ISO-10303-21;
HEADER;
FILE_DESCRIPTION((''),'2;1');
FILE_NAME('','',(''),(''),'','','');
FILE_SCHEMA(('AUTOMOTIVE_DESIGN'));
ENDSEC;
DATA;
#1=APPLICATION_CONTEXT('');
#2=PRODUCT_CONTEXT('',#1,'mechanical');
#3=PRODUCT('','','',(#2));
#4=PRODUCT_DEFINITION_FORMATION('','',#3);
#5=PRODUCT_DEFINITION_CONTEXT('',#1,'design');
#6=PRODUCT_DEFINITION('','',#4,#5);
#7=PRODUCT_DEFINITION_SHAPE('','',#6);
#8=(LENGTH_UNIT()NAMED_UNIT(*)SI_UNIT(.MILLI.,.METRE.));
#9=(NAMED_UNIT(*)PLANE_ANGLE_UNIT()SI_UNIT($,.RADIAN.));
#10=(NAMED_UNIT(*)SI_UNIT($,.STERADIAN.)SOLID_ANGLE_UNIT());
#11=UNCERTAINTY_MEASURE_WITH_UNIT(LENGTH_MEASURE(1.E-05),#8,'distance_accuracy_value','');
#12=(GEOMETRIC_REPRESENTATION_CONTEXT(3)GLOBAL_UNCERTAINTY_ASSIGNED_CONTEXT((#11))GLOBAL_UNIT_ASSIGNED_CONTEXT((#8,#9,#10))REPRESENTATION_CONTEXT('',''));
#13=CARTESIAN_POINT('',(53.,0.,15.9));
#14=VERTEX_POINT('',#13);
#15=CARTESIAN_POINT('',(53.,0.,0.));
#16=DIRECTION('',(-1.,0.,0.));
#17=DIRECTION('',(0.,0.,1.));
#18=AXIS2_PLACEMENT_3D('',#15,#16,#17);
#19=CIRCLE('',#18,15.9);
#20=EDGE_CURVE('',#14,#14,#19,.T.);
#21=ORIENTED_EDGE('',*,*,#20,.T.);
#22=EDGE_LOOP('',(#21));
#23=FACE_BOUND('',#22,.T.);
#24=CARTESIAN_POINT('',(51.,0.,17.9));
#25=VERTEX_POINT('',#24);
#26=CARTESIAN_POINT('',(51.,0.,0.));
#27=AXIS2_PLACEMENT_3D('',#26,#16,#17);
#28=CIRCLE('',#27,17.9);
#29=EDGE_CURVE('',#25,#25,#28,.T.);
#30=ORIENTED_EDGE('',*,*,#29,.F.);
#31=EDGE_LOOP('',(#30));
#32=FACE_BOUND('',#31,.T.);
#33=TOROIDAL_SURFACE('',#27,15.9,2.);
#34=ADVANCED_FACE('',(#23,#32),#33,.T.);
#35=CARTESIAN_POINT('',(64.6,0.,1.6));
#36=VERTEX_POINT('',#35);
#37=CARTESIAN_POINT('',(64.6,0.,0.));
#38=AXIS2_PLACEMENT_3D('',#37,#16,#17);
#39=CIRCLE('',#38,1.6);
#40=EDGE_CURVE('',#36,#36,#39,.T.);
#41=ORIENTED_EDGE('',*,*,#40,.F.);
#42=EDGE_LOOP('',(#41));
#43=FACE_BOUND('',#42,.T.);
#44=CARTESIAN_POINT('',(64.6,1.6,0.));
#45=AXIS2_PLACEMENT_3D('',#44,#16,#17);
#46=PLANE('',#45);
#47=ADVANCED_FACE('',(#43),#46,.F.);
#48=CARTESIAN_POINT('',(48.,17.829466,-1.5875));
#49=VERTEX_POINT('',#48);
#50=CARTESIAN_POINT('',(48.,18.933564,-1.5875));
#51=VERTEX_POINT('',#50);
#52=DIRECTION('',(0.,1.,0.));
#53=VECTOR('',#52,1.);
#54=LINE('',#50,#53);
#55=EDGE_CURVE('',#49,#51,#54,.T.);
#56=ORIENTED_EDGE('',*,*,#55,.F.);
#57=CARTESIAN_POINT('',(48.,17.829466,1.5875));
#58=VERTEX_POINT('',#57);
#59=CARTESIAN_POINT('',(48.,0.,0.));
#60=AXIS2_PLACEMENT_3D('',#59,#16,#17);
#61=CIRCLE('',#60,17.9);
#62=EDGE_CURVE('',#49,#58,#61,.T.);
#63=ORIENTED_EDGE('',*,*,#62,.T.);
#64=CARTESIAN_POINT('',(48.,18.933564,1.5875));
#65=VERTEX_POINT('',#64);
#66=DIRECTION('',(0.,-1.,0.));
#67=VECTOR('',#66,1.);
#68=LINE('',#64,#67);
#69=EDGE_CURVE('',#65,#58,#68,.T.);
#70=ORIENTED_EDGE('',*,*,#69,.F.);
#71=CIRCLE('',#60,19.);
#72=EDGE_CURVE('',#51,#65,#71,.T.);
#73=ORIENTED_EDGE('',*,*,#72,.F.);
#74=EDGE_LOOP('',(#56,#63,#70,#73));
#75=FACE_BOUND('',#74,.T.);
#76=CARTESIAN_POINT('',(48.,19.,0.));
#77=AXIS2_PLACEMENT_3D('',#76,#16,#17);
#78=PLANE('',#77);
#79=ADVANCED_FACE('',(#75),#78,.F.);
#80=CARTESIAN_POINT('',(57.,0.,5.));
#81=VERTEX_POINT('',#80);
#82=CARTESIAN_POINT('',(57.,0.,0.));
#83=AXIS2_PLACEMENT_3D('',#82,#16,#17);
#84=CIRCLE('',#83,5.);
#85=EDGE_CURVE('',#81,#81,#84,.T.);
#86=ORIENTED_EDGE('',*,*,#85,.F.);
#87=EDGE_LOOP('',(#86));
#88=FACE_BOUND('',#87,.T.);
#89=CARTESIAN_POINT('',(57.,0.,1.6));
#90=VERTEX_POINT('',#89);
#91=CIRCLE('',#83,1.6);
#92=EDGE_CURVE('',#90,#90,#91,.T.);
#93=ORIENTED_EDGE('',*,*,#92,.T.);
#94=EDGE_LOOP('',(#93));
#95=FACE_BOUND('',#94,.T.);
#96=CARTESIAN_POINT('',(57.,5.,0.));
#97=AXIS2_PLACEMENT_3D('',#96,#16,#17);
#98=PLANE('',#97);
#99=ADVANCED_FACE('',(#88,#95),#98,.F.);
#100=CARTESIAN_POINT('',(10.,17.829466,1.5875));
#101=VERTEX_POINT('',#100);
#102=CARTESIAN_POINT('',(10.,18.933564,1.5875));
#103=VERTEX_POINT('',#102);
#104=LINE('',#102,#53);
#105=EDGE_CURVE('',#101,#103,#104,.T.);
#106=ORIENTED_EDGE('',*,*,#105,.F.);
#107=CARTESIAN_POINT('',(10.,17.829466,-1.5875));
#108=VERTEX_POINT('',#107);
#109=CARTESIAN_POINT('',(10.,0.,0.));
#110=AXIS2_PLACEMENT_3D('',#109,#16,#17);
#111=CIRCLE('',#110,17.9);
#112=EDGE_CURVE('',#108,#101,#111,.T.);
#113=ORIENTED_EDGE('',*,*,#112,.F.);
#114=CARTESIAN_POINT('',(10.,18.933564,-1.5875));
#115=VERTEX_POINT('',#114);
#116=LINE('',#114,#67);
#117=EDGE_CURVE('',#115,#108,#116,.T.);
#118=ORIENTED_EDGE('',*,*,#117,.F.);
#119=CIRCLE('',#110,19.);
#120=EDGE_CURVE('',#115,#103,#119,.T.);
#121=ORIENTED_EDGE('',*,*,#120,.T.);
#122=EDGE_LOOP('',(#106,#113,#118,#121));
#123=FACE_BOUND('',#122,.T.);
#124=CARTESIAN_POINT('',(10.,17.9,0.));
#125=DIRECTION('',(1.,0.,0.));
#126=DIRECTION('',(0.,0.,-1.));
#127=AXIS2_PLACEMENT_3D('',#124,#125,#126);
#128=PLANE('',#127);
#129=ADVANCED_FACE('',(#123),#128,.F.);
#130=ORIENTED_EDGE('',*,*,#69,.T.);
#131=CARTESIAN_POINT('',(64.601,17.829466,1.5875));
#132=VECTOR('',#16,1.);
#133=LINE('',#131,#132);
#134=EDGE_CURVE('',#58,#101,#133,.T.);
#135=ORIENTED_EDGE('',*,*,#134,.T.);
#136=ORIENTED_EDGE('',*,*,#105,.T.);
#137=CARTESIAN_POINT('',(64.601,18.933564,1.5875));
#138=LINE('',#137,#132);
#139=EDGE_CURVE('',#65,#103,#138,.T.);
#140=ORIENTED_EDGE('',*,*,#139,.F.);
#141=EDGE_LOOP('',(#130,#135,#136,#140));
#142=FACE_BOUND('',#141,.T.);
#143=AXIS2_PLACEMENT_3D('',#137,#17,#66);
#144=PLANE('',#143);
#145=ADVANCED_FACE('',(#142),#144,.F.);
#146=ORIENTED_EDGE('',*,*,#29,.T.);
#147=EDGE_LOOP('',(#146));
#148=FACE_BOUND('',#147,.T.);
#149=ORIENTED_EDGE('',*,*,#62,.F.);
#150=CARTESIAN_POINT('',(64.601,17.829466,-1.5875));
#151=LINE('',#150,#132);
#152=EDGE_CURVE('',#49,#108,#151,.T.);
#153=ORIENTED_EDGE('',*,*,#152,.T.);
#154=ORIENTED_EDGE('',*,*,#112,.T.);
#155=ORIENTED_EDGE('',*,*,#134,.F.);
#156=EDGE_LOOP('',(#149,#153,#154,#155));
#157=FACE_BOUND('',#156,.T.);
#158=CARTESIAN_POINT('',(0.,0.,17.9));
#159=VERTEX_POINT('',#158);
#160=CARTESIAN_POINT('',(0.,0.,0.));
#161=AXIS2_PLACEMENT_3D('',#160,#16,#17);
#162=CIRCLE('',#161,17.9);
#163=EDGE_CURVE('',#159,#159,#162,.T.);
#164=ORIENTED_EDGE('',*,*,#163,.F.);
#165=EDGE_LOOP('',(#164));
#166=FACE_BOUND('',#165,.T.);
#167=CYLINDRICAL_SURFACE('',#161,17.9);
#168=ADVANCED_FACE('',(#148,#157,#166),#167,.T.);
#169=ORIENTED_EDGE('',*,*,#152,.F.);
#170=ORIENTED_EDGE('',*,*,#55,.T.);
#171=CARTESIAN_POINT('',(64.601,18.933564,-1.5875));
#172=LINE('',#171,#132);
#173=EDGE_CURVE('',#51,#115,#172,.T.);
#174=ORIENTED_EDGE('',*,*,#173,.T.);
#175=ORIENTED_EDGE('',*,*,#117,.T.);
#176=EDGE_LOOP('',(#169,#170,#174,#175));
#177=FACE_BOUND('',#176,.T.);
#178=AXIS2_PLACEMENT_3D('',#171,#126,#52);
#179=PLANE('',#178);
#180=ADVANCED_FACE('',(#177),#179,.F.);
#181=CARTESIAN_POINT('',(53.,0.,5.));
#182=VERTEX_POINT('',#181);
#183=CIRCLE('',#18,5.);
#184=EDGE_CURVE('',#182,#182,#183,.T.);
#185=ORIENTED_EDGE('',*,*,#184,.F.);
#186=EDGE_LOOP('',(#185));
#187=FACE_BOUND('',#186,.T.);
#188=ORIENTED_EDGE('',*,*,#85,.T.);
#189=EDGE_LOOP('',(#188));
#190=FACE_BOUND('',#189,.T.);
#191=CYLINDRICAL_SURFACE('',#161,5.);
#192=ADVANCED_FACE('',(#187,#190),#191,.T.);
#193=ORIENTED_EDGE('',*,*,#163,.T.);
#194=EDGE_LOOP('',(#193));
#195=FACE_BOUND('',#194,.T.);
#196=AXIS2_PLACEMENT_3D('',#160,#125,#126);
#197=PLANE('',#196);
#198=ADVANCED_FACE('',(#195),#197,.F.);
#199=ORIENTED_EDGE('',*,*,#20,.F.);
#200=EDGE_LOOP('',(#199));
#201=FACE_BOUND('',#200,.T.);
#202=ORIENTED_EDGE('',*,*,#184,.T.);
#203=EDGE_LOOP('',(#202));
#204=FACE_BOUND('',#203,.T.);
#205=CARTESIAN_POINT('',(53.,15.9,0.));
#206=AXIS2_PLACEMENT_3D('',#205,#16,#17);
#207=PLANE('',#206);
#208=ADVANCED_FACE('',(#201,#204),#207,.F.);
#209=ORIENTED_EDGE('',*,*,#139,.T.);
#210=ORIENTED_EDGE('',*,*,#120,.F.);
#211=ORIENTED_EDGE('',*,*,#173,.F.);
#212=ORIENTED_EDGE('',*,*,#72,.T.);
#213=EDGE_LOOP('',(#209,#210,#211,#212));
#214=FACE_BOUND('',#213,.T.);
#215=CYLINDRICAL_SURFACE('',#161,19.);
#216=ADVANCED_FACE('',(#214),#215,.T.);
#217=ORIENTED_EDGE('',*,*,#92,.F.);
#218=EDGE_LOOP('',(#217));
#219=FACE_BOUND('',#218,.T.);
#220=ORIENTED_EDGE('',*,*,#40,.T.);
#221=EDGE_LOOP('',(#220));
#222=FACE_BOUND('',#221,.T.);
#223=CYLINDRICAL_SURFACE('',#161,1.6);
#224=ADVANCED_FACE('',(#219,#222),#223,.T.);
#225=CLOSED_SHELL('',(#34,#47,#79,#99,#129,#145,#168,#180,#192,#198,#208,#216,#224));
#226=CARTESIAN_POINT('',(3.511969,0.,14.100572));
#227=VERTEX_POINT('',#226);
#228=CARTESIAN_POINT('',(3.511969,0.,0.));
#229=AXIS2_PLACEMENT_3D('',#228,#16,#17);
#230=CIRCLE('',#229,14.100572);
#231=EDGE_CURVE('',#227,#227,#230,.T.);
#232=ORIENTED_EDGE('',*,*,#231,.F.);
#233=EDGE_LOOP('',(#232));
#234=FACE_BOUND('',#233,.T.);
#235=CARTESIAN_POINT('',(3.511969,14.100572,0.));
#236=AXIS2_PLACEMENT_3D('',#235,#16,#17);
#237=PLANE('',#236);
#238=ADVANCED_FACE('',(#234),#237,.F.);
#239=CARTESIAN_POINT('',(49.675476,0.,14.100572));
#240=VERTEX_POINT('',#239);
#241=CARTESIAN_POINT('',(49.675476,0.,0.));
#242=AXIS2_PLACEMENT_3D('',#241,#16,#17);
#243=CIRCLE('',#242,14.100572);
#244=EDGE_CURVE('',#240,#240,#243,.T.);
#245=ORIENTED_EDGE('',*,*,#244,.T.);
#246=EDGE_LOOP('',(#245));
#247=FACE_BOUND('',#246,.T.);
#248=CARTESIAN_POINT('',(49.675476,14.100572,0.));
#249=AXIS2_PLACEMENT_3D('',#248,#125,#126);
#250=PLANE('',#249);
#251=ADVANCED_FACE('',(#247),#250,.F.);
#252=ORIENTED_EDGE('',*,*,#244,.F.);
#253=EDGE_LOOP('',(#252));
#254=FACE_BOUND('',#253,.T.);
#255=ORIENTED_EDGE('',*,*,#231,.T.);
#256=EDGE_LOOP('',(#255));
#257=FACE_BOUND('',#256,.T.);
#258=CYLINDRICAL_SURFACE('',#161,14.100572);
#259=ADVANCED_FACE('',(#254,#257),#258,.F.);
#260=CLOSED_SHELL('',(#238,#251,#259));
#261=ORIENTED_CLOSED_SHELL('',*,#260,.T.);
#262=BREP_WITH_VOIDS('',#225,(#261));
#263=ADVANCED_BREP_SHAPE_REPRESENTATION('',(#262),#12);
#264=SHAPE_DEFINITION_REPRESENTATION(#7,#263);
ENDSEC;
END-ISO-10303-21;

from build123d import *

# Parameters (mm, degrees)
CUT_EXTRUDE1_REACH = 62.854


with BuildPart() as part:
    # Sketch3 → Revolve1 (revolve)
    with BuildSketch(Plane.XY, mode=Mode.PRIVATE) as revolve1_sk:
        with BuildLine():
            Line((0, 0), (0, 17.9))
            Line((0, 17.9), (10, 17.9))
            Line((10, 17.9), (10, 19))
            Line((10, 19), (48, 19))
            Line((48, 19), (48, 17.9))
            Line((48, 17.9), (51, 17.9))
            ThreePointArc((51, 17.9), (52.414213562, 17.314213562), (53, 15.9))
            Line((53, 15.9), (53, 5))
            Line((53, 5), (57, 5))
            Line((57, 5), (57, 1.6))
            Line((57, 1.6), (64.6, 1.6))
            Line((64.6, 1.6), (64.6, 0))
            Line((64.6, 0), (49.67547572, 0))
            Line((49.67547572, 0), (49.67547572, 14.100571752))
            Line((49.67547572, 14.100571752), (3.511968533, 14.100571752))
            Line((3.511968533, 14.100571752), (3.511968533, 0))
            Line((3.511968533, 0), (0, 0))
        make_face()
    revolve(revolve1_sk.sketch.rotate(Axis((0, 0, 0), (1, 0, 0)), 90), axis=Axis((0, 0, 0), (1, 0, 0)))

    # Sketch4 → Cut-Extrude1 (cut, up to next)
    with BuildSketch(Plane.ZY.offset(-10), mode=Mode.PRIVATE) as cut_extrude1_sk1:
        with BuildLine():
            Line((1.5875, 18.933563947), (1.5875, 17.829465605))
            ThreePointArc((1.5875, 17.829465605), (0, 17.9), (-1.5875, 17.829465605))
            Line((-1.5875, 17.829465605), (-1.5875, 18.933563947))
            ThreePointArc((-1.5875, 18.933563947), (0, 19), (1.5875, 18.933563947))
        make_face()
    cut_extrude1_tool1 = extrude(cut_extrude1_sk1.sketch, amount=-CUT_EXTRUDE1_REACH, mode=Mode.PRIVATE) & part.part
    add(cut_extrude1_tool1.solids().sort_by_distance((10, 18.427166, 0))[0], mode=Mode.SUBTRACT)


solid = part.part
